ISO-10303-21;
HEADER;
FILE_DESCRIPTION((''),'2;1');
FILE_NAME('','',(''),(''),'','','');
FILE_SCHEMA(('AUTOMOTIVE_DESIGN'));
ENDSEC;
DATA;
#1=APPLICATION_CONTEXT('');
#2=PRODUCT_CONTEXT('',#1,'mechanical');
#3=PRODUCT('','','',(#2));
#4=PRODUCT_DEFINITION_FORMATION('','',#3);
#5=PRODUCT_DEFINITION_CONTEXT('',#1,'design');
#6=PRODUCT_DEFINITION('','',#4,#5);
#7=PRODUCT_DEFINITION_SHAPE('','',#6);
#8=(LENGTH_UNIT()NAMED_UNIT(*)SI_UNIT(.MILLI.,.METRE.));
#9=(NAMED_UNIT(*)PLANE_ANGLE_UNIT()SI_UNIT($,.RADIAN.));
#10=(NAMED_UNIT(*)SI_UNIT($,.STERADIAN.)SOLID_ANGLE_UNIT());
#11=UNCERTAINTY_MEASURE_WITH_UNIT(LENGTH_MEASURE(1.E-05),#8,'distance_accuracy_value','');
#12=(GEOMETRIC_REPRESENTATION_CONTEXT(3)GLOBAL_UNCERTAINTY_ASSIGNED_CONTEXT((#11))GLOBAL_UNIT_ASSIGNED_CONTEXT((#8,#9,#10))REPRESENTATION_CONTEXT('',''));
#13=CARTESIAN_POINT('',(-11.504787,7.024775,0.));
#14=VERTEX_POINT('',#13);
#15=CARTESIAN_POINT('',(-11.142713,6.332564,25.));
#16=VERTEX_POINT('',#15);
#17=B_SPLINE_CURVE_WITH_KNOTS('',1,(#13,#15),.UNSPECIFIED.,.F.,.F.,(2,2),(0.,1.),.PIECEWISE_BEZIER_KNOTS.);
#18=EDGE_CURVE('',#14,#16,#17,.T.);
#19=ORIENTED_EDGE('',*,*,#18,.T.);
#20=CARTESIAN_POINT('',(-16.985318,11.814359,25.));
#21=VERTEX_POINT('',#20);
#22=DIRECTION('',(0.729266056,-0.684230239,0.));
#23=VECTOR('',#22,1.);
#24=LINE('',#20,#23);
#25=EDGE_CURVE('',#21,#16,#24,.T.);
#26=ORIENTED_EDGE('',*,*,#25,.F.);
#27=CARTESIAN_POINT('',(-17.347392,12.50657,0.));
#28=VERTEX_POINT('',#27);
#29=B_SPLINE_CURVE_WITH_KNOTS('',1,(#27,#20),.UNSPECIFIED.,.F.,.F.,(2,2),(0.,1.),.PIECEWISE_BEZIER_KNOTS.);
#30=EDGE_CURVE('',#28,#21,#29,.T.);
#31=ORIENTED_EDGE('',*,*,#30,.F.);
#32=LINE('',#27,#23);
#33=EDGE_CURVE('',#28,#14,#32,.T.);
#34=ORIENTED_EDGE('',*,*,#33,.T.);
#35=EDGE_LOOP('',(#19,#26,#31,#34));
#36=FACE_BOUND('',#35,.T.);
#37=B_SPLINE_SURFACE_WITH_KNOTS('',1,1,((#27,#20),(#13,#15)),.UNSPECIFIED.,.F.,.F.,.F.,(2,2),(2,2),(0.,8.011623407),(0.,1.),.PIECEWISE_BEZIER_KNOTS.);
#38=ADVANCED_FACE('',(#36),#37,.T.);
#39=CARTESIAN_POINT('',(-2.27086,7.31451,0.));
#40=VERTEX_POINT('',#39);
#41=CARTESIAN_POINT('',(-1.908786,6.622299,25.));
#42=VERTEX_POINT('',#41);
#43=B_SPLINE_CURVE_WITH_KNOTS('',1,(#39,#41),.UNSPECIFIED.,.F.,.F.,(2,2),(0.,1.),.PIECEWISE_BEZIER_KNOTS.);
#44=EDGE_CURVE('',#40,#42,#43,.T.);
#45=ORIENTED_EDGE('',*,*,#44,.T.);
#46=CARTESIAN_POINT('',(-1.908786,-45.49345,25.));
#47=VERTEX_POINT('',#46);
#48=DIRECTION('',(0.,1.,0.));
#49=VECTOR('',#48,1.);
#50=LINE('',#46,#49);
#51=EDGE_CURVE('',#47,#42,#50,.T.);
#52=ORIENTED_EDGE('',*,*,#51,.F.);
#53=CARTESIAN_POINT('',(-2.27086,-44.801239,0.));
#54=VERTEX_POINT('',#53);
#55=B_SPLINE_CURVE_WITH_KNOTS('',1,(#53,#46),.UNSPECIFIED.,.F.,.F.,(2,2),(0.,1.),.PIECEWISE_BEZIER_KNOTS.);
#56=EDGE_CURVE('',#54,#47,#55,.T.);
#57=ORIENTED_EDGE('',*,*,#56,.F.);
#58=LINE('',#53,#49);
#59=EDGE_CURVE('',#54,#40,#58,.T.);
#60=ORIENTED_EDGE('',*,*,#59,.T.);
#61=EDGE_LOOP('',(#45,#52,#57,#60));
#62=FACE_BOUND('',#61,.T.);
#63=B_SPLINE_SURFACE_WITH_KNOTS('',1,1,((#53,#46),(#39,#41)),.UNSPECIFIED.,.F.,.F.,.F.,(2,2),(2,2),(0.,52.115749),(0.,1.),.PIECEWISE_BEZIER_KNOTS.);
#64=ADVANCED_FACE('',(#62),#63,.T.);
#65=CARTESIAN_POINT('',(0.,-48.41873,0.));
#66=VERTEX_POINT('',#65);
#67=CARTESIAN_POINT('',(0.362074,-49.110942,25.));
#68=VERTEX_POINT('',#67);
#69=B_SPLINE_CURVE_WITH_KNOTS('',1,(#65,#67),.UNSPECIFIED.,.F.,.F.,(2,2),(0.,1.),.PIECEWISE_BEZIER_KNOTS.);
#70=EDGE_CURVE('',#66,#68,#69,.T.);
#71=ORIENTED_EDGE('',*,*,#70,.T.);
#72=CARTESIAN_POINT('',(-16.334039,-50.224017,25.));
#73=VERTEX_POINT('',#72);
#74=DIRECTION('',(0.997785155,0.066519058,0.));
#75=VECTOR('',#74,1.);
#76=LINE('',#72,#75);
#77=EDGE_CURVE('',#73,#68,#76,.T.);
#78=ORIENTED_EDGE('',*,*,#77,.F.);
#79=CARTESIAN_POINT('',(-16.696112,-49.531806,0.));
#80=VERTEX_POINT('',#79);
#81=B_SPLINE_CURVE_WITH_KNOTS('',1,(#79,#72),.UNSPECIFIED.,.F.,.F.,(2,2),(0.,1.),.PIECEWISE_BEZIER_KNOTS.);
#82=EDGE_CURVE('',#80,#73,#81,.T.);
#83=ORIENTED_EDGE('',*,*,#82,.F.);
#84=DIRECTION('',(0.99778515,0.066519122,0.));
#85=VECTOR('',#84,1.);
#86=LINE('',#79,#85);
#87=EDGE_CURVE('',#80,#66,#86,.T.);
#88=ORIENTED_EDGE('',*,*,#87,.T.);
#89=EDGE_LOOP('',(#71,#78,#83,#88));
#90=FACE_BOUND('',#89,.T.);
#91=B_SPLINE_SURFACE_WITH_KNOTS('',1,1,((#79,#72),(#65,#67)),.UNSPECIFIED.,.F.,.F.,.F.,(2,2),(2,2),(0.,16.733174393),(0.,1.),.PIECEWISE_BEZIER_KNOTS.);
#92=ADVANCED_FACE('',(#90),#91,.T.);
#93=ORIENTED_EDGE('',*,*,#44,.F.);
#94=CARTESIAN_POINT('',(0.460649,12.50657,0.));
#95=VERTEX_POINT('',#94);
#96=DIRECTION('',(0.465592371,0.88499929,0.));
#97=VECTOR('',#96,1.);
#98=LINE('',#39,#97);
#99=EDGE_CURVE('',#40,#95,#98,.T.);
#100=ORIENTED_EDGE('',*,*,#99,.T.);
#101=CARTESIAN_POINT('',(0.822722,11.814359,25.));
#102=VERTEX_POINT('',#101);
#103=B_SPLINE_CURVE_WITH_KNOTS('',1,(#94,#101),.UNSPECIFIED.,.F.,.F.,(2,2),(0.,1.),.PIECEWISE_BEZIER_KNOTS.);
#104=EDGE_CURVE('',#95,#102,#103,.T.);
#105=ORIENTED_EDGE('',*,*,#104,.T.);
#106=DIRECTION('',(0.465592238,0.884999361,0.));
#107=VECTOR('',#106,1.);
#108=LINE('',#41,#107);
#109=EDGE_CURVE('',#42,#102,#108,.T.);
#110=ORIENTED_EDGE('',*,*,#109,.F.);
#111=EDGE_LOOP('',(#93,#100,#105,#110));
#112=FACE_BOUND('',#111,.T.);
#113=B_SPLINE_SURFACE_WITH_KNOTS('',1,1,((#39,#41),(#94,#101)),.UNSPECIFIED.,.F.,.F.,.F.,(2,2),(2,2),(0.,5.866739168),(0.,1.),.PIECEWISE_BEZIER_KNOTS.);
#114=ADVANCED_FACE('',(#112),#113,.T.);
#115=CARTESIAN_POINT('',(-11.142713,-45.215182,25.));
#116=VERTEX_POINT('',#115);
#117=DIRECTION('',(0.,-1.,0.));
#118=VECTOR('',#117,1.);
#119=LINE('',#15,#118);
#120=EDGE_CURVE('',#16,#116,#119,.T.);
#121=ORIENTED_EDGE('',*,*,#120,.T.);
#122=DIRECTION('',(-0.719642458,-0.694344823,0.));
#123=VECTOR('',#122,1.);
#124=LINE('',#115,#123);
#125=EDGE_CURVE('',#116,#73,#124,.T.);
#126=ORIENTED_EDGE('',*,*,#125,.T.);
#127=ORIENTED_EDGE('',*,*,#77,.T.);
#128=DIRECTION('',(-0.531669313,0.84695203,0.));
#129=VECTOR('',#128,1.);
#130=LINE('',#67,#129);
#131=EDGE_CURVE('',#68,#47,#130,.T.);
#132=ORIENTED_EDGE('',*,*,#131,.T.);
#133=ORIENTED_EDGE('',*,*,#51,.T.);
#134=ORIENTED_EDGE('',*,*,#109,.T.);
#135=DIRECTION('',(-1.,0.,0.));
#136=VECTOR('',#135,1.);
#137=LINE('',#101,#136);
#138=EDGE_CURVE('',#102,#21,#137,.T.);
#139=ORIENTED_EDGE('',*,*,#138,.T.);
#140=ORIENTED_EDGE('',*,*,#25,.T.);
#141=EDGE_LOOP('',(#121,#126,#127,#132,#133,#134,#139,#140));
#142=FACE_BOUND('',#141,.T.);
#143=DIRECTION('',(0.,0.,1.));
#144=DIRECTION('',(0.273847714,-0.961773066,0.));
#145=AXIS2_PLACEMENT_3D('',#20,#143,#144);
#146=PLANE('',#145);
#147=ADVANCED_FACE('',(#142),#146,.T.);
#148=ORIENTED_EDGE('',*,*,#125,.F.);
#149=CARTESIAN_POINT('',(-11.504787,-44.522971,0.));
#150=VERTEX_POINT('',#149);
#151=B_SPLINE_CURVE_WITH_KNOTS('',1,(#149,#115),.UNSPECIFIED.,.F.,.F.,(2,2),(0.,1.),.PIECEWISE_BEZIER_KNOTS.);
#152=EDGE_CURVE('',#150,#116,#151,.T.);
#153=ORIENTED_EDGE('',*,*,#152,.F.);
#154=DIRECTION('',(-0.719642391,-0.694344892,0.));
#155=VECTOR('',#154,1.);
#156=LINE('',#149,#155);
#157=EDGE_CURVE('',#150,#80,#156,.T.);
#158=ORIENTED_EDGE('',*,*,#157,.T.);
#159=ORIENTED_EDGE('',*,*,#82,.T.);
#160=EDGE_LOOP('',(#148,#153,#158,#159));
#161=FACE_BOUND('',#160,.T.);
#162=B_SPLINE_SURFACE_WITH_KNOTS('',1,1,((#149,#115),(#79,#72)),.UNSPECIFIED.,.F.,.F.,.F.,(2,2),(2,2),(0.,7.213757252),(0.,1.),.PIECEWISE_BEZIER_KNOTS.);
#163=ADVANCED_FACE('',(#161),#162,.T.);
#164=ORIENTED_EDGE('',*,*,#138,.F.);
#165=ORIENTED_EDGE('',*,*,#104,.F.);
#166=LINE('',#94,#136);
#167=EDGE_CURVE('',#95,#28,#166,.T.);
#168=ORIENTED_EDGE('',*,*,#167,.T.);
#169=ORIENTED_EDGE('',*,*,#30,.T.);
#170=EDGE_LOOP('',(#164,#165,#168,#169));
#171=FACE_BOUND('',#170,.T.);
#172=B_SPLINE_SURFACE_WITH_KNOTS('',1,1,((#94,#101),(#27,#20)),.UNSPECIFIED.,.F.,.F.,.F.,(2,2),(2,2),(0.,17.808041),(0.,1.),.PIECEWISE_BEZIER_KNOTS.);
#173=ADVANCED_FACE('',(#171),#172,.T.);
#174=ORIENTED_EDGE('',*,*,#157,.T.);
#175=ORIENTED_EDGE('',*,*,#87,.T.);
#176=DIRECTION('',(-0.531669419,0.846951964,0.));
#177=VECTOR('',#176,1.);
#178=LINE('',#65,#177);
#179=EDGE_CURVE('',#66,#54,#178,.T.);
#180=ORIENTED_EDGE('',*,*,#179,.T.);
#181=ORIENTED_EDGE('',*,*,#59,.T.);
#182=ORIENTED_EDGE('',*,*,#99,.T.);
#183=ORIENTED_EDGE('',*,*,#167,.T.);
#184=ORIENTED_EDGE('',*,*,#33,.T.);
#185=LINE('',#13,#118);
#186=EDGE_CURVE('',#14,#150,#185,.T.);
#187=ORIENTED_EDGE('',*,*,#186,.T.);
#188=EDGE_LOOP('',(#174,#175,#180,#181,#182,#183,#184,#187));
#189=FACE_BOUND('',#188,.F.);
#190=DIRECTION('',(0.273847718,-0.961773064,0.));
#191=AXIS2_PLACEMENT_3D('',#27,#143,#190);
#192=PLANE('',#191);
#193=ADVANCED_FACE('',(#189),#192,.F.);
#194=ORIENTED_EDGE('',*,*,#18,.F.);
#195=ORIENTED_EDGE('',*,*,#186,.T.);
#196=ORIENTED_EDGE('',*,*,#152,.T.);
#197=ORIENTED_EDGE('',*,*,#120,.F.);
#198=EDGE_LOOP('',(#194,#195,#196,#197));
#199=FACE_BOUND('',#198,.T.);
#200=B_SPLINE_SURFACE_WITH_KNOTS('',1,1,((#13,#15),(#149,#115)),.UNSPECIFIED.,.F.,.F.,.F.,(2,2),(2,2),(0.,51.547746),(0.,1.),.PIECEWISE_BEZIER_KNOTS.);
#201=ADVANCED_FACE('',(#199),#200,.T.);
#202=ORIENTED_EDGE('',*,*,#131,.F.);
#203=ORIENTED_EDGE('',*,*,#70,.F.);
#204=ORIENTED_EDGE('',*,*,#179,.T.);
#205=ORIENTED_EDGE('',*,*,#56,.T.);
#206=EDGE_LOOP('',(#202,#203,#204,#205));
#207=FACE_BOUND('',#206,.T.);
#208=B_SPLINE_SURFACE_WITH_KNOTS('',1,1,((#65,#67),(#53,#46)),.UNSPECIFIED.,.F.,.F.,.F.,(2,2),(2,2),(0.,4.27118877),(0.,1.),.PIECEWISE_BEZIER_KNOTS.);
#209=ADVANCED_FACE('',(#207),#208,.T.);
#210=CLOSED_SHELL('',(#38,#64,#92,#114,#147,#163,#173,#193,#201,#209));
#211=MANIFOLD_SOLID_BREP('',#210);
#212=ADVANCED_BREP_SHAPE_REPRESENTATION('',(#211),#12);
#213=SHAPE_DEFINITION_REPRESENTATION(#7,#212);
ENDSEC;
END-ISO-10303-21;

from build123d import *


with BuildPart() as f3:
    # F0 (on Top) → F3 section 0
    with BuildSketch(Plane.XY):
        Polygon((-17.347392, 12.50657), (-11.504787, 7.024775), (-11.504787, -44.522971), (-16.696112, -49.531806), (0, -48.41873), (-2.27086, -44.801239), (-2.27086, 7.31451), (0.460649, 12.50657), align=None)
    # F2 (on offset) → F3 section 1
    with BuildSketch(Plane.XY.offset(25)):
        Polygon((-16.985318, 11.814359), (-11.142713, 6.332564), (-11.142713, -45.215182), (-16.334039, -50.224017), (0.362074, -49.110942), (-1.908786, -45.49345), (-1.908786, 6.622299), (0.822722, 11.814359), align=None)
    loft()


solid = f3.part
